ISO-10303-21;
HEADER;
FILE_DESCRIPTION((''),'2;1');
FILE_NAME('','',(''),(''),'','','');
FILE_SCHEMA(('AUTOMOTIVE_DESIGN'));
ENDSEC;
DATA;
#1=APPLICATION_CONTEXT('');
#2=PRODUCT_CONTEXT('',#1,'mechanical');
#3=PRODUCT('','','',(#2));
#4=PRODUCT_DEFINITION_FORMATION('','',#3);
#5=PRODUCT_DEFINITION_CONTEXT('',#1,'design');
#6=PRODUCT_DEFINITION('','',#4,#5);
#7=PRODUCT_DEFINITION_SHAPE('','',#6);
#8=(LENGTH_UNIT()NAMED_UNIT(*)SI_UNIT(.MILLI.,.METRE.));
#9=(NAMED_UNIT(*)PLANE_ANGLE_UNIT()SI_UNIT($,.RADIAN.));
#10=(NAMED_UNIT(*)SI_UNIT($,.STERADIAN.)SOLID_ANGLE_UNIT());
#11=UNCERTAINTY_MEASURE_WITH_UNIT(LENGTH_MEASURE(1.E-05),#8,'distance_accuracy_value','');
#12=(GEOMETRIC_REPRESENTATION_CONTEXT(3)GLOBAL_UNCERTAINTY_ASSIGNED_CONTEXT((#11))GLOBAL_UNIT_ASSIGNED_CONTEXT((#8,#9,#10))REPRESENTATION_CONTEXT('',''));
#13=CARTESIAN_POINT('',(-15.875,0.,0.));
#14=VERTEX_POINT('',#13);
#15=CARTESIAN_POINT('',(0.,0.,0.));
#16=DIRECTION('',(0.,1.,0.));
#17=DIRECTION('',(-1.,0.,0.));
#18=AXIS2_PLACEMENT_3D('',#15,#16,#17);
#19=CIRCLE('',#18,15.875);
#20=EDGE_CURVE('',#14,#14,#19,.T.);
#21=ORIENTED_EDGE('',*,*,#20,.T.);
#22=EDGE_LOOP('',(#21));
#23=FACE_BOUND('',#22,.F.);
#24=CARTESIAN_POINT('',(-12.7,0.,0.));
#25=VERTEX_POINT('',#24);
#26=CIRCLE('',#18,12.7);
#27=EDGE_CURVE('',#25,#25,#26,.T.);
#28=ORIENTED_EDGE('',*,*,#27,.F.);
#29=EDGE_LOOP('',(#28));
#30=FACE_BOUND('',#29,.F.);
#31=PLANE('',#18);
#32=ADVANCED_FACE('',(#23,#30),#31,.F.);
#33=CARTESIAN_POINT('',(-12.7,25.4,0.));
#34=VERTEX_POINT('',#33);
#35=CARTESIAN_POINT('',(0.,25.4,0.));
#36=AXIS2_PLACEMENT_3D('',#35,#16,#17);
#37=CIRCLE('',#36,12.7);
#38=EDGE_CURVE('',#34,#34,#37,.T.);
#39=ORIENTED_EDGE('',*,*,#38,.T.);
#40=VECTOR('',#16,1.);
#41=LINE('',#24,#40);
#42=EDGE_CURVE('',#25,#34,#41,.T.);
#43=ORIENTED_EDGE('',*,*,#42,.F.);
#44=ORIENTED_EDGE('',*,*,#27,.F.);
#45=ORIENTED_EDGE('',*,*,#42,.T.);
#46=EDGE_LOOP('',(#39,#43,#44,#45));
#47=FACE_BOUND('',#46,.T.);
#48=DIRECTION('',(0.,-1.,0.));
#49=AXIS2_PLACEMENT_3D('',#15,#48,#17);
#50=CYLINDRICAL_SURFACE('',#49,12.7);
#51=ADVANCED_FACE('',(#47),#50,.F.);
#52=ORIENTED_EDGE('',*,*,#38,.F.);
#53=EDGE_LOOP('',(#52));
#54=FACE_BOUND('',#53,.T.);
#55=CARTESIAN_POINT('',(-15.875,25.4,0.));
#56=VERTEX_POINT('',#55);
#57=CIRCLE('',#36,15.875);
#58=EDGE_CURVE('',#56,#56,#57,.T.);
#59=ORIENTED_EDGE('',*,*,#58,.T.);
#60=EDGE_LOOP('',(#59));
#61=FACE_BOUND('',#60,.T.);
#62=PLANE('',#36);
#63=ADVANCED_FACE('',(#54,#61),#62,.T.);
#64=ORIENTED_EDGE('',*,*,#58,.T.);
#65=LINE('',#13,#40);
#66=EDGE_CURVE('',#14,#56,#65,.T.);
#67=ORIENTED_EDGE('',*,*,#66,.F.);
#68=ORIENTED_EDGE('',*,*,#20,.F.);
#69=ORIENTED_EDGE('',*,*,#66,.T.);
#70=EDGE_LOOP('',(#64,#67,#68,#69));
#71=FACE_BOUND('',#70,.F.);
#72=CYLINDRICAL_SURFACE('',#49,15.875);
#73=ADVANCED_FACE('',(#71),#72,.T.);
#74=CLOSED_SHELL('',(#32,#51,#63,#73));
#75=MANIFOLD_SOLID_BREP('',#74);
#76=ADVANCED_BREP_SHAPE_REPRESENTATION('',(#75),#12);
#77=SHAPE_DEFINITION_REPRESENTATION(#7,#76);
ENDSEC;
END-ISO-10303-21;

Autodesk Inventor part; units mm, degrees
ref_plane "YZ Plane" through (0, 0, 0) normal (1, 0, 0) x (0, 1, 0)
ref_plane "XZ Plane" through (0, 0, 0) normal (0, 1, 0) x (-1, 0, 0)
ref_plane "XY Plane" through (0, 0, 0) normal (0, 0, 1) x (1, 0, 0)
sketch "Sketch1" plane through (0, 0, 0) normal (0, 1, 0) x (-1, 0, 0)
  circle A0 centre (0, 0) radius 12.7
  circle A1 centre (0, 0) radius 15.875
  dimension "d0" = 25.4
  dimension "d1" = 3.175
extrude "Extrusion1" add sketch "Sketch1" along normal blind 25.4
